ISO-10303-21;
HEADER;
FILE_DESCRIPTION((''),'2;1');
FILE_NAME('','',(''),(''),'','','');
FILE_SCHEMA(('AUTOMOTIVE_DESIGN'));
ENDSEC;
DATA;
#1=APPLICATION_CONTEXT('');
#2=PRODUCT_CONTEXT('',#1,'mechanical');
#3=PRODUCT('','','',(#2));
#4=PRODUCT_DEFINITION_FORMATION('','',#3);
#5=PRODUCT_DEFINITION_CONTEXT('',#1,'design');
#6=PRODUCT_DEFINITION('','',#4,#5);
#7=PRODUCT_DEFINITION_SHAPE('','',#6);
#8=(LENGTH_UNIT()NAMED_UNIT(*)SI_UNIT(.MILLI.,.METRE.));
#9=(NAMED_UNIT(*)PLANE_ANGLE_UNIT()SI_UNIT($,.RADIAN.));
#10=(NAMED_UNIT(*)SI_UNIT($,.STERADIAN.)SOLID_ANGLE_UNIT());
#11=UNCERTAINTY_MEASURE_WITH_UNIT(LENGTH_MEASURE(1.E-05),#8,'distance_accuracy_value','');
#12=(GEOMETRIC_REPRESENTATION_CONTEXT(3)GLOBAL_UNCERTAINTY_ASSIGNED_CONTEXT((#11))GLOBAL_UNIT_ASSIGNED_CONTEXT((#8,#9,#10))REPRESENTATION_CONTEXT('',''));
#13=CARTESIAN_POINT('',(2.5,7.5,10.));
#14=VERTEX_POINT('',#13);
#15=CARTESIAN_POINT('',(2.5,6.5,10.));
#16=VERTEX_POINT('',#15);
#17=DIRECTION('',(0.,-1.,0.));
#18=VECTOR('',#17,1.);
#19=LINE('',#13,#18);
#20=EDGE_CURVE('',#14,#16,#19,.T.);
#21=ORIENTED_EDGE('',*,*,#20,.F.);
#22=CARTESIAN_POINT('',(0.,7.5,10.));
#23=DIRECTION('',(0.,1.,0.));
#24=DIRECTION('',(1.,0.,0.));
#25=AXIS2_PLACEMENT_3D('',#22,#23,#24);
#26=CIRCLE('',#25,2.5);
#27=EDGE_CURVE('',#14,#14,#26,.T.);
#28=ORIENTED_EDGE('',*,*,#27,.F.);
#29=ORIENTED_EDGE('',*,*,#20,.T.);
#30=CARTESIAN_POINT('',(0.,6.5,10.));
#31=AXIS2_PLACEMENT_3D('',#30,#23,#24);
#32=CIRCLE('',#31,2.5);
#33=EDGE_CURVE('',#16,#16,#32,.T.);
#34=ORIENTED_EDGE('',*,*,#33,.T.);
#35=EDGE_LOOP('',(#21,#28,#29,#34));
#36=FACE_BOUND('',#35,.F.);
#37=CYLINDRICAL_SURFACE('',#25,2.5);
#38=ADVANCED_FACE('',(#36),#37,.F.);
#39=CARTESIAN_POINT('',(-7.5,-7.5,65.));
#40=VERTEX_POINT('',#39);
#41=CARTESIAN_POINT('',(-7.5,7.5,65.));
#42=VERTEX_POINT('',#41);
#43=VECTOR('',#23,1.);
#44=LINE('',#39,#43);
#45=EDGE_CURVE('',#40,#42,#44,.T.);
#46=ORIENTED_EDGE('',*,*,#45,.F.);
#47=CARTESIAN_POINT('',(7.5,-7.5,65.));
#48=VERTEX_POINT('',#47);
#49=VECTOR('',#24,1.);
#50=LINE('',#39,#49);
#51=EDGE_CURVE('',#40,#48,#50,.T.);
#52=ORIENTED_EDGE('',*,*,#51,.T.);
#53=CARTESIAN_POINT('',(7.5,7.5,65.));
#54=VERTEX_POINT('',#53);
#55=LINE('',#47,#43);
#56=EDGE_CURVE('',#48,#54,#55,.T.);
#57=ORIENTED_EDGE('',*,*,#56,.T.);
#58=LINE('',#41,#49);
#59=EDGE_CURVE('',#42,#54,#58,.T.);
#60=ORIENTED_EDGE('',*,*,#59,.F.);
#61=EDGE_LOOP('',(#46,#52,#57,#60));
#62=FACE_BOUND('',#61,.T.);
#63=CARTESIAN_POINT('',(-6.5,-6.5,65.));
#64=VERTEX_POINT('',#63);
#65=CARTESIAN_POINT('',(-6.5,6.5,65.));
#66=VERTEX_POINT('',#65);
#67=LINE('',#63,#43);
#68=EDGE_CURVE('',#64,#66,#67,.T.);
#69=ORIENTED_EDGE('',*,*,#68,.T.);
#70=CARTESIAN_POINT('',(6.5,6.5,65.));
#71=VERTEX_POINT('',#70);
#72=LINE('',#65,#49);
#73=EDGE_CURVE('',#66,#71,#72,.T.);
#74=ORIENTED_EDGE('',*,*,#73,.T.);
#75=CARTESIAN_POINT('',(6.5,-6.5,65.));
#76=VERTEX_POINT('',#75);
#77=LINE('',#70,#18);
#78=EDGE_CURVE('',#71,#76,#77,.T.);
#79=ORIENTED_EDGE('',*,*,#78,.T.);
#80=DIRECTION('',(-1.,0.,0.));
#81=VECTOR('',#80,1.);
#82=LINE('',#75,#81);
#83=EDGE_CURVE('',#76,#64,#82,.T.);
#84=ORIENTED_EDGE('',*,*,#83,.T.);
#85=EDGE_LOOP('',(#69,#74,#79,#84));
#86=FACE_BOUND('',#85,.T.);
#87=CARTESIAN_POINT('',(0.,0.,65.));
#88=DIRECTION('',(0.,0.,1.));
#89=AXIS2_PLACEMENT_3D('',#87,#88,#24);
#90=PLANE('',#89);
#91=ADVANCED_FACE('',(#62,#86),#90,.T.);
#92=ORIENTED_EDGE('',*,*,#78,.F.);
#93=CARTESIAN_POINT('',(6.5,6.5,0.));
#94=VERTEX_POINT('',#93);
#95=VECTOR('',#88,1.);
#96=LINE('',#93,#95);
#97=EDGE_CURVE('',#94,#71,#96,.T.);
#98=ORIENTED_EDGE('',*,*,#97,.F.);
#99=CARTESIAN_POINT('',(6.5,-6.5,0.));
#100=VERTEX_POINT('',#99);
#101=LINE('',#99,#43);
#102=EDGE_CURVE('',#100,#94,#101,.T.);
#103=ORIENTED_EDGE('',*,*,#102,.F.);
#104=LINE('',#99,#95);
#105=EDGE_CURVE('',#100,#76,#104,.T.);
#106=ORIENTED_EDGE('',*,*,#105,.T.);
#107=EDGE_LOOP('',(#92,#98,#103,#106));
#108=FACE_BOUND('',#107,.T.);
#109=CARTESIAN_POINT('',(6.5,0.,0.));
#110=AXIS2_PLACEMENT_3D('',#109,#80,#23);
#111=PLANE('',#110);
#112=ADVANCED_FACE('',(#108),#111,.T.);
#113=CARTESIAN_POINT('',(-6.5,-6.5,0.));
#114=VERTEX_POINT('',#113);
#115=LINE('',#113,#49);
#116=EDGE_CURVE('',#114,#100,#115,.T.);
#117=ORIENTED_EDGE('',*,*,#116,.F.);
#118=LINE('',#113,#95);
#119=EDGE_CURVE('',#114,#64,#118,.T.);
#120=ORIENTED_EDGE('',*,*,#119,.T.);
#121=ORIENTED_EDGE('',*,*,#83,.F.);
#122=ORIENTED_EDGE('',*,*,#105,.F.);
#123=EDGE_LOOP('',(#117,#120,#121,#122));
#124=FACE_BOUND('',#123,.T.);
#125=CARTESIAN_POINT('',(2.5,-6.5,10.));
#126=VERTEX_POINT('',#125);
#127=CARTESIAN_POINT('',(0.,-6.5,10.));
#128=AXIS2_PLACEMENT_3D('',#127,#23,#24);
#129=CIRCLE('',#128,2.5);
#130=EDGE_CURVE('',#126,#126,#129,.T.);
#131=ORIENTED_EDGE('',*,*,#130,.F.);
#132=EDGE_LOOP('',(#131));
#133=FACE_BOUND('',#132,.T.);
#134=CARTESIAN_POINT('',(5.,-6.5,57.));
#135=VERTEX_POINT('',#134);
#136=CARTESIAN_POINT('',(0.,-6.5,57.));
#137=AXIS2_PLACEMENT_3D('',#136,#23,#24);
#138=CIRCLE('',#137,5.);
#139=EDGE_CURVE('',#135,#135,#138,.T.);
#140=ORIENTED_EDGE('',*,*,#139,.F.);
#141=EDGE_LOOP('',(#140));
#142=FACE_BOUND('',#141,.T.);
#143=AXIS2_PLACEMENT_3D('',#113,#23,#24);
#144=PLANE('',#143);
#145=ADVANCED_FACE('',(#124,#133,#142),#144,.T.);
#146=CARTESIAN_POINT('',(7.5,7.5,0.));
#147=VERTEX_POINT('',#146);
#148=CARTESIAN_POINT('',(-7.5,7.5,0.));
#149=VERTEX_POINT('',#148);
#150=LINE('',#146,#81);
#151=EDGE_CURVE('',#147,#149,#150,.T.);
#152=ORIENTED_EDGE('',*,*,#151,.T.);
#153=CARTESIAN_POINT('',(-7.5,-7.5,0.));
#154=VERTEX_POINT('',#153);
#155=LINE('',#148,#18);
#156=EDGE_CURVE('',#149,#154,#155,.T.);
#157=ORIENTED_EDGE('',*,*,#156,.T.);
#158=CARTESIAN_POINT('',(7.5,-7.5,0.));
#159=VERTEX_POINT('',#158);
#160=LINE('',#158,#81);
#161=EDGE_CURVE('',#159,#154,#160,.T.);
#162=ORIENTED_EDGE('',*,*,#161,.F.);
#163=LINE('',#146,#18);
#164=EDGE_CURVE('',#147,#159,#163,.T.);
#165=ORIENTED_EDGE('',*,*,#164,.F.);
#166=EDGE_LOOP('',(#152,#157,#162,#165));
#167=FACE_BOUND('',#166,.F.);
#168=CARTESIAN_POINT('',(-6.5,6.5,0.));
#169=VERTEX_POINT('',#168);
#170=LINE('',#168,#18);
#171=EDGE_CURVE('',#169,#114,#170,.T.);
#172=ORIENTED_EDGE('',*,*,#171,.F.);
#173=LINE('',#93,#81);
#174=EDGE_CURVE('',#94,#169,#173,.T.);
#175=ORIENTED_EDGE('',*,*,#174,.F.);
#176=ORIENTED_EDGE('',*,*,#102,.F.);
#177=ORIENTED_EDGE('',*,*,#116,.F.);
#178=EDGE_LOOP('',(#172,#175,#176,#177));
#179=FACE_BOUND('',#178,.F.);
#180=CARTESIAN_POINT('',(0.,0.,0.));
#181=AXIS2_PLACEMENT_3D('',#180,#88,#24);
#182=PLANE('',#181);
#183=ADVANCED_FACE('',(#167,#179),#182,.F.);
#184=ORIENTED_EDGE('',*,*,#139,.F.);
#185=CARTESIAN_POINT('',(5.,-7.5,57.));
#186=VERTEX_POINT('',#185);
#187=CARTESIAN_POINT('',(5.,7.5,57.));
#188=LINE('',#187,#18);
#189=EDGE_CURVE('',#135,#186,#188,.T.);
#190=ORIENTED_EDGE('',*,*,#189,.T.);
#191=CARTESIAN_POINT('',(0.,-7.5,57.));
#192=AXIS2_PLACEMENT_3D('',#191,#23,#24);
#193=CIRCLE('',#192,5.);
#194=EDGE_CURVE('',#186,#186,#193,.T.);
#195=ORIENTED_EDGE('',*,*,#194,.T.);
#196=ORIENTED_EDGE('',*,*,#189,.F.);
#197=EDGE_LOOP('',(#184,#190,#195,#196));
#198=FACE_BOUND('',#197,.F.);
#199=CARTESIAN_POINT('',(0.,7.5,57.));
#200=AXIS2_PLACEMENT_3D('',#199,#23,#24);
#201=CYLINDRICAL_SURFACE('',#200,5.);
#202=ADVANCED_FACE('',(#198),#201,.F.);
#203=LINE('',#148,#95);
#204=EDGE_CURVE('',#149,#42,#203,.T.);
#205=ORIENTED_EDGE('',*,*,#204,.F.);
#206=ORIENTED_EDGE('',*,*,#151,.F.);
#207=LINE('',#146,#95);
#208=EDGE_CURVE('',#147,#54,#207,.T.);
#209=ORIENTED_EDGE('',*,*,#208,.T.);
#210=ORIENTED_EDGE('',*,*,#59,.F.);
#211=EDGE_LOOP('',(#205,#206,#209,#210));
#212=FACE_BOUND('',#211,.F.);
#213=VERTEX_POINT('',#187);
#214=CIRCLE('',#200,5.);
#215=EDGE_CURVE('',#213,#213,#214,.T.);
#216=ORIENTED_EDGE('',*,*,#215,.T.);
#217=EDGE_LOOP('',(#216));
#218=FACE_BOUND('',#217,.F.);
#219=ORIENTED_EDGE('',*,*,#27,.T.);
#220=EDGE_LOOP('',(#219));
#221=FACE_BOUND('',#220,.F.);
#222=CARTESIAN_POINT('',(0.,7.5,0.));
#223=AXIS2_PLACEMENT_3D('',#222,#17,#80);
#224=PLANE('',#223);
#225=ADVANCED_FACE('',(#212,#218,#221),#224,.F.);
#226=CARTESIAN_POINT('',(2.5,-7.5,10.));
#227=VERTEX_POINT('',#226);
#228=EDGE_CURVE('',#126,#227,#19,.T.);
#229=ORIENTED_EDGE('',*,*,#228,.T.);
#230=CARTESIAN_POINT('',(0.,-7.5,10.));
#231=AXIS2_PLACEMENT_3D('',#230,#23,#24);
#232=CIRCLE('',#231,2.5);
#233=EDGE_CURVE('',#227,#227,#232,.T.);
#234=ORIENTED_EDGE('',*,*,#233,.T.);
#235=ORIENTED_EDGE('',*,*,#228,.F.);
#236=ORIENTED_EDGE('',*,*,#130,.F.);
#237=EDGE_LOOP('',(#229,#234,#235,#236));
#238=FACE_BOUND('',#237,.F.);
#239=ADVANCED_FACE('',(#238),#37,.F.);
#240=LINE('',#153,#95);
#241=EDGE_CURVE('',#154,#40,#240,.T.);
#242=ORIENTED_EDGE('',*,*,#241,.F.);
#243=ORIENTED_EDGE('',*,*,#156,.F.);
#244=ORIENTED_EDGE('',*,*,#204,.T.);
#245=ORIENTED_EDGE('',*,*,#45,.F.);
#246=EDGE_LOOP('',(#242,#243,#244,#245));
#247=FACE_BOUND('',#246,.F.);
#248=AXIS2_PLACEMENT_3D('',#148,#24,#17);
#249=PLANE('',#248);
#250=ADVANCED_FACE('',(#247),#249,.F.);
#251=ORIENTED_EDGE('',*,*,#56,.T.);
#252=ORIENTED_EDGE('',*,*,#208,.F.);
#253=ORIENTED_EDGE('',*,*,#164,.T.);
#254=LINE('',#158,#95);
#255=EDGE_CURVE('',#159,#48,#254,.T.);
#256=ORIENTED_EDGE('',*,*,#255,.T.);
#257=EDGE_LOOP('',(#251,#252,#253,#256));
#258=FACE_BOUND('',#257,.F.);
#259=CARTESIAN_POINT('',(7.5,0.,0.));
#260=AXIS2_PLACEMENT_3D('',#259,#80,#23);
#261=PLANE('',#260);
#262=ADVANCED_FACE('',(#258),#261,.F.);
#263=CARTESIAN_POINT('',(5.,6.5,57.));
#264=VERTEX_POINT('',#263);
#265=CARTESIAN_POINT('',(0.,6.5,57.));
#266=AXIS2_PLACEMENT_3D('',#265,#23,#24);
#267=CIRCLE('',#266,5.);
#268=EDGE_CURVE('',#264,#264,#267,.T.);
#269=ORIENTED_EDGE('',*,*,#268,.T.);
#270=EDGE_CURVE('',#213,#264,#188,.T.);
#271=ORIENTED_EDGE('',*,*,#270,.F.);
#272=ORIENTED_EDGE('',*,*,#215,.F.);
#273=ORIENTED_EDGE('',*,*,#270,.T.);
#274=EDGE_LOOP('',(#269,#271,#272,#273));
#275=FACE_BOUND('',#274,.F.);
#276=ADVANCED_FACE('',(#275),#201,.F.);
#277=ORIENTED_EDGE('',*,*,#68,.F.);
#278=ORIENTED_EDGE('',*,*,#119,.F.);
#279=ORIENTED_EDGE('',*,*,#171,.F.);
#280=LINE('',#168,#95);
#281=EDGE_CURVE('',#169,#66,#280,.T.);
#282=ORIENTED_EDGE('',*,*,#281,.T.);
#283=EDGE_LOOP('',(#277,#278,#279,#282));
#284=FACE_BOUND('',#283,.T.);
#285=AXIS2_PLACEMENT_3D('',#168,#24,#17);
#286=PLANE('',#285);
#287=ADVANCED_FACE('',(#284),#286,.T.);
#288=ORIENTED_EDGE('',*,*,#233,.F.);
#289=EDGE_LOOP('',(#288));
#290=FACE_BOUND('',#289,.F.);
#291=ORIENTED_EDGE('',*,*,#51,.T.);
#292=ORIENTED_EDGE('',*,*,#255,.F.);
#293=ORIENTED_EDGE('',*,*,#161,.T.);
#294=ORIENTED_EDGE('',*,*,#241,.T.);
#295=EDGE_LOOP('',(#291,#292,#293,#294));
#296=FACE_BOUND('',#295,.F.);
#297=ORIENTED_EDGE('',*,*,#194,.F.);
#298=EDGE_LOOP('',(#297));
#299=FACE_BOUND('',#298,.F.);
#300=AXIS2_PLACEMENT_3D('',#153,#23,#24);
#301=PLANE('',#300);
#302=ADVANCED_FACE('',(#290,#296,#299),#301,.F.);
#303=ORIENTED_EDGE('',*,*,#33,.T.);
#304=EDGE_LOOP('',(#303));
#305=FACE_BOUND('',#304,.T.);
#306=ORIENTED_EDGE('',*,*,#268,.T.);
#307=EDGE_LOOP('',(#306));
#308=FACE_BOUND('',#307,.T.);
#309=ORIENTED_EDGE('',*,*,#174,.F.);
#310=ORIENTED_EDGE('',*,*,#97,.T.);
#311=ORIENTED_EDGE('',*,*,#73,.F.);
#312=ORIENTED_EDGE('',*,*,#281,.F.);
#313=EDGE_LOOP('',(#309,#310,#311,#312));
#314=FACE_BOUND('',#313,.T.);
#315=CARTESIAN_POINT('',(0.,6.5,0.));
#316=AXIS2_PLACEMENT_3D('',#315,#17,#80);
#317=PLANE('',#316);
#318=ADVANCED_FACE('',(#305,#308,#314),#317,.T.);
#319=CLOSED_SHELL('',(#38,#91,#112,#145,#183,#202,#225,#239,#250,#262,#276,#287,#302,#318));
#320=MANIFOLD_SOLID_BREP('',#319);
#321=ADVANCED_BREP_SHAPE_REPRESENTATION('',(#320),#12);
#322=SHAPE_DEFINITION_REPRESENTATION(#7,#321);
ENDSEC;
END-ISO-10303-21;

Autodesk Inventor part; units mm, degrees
ref_plane "YZ Plane" through (0, 0, 0) normal (1, 0, 0) x (0, 1, 0)
ref_plane "XZ Plane" through (0, 0, 0) normal (0, 1, 0) x (-1, 0, 0)
ref_plane "XY Plane" through (0, 0, 0) normal (0, 0, 1) x (1, 0, 0)
sketch "Skizze1" plane through (0, 0, 0) normal (0, 0, 1) x (1, 0, 0)
  line L0 (-10.5, 0) -> (10.5, 0) projected
  line L1 (0, -10.5) -> (0, 10.5) projected
  line L2 (-7.5, -7.5) -> (7.5, -7.5)
  line L3 (7.5, -7.5) -> (7.5, 7.5)
  line L4 (7.5, 7.5) -> (-7.5, 7.5)
  line L5 (-7.5, 7.5) -> (-7.5, -7.5)
  line L6 (-6.5, -6.5) -> (6.5, -6.5)
  line L7 (6.5, -6.5) -> (6.5, 6.5)
  line L8 (6.5, 6.5) -> (-6.5, 6.5)
  line L9 (-6.5, 6.5) -> (-6.5, -6.5)
  line L10 (-6.5, -6.5) -> (6.5, 6.5) construction
  line L11 (6.5, -6.5) -> (-6.5, 6.5) construction
  point P0 (0, 0)
  dimension "d0" = 15
  dimension "d1" = 15
  dimension "d2" = 13
  dimension "d3" = 13
extrude "Extrusion1" add sketch "Skizze1" along normal blind 65 contours L5 L4 L1 L8 L9 L0 | L0 L9 L6 L1 L2 L5 | L4 L3 L0 L7 L8 L1 | L1 L6 L7 L0 L3 L2
sketch "Skizze2" plane through (-7.5, 7.5, 0) normal (0, 1, 0) x (1, 0, 0)
  line L0 (15, 0) -> (0, 0) projected
  line L1 (0, 0) -> (0, -65) projected
  line L2 (15, -65) -> (0, -65) projected
  line L3 (15, 0) -> (15, -65) projected
  circle A0 centre (7.5, -57) radius 5
  circle A1 centre (7.5, -10) radius 2.5
  point P0 (7.5, 0)
  dimension "d6" = 10
  dimension "d7" = 8
  dimension "d8" = 7.5
  dimension "d9" = 5
  dimension "d10" = 7.5
  dimension "d11" = 10
extrude "Extrusion2" cut sketch "Skizze2" against normal blind 15 contours A0 | A1
equation "\"d10\" = d8"
properties part number "Z_Stage_Nut_holder_15x15alu" material "Aluminium 6061"
